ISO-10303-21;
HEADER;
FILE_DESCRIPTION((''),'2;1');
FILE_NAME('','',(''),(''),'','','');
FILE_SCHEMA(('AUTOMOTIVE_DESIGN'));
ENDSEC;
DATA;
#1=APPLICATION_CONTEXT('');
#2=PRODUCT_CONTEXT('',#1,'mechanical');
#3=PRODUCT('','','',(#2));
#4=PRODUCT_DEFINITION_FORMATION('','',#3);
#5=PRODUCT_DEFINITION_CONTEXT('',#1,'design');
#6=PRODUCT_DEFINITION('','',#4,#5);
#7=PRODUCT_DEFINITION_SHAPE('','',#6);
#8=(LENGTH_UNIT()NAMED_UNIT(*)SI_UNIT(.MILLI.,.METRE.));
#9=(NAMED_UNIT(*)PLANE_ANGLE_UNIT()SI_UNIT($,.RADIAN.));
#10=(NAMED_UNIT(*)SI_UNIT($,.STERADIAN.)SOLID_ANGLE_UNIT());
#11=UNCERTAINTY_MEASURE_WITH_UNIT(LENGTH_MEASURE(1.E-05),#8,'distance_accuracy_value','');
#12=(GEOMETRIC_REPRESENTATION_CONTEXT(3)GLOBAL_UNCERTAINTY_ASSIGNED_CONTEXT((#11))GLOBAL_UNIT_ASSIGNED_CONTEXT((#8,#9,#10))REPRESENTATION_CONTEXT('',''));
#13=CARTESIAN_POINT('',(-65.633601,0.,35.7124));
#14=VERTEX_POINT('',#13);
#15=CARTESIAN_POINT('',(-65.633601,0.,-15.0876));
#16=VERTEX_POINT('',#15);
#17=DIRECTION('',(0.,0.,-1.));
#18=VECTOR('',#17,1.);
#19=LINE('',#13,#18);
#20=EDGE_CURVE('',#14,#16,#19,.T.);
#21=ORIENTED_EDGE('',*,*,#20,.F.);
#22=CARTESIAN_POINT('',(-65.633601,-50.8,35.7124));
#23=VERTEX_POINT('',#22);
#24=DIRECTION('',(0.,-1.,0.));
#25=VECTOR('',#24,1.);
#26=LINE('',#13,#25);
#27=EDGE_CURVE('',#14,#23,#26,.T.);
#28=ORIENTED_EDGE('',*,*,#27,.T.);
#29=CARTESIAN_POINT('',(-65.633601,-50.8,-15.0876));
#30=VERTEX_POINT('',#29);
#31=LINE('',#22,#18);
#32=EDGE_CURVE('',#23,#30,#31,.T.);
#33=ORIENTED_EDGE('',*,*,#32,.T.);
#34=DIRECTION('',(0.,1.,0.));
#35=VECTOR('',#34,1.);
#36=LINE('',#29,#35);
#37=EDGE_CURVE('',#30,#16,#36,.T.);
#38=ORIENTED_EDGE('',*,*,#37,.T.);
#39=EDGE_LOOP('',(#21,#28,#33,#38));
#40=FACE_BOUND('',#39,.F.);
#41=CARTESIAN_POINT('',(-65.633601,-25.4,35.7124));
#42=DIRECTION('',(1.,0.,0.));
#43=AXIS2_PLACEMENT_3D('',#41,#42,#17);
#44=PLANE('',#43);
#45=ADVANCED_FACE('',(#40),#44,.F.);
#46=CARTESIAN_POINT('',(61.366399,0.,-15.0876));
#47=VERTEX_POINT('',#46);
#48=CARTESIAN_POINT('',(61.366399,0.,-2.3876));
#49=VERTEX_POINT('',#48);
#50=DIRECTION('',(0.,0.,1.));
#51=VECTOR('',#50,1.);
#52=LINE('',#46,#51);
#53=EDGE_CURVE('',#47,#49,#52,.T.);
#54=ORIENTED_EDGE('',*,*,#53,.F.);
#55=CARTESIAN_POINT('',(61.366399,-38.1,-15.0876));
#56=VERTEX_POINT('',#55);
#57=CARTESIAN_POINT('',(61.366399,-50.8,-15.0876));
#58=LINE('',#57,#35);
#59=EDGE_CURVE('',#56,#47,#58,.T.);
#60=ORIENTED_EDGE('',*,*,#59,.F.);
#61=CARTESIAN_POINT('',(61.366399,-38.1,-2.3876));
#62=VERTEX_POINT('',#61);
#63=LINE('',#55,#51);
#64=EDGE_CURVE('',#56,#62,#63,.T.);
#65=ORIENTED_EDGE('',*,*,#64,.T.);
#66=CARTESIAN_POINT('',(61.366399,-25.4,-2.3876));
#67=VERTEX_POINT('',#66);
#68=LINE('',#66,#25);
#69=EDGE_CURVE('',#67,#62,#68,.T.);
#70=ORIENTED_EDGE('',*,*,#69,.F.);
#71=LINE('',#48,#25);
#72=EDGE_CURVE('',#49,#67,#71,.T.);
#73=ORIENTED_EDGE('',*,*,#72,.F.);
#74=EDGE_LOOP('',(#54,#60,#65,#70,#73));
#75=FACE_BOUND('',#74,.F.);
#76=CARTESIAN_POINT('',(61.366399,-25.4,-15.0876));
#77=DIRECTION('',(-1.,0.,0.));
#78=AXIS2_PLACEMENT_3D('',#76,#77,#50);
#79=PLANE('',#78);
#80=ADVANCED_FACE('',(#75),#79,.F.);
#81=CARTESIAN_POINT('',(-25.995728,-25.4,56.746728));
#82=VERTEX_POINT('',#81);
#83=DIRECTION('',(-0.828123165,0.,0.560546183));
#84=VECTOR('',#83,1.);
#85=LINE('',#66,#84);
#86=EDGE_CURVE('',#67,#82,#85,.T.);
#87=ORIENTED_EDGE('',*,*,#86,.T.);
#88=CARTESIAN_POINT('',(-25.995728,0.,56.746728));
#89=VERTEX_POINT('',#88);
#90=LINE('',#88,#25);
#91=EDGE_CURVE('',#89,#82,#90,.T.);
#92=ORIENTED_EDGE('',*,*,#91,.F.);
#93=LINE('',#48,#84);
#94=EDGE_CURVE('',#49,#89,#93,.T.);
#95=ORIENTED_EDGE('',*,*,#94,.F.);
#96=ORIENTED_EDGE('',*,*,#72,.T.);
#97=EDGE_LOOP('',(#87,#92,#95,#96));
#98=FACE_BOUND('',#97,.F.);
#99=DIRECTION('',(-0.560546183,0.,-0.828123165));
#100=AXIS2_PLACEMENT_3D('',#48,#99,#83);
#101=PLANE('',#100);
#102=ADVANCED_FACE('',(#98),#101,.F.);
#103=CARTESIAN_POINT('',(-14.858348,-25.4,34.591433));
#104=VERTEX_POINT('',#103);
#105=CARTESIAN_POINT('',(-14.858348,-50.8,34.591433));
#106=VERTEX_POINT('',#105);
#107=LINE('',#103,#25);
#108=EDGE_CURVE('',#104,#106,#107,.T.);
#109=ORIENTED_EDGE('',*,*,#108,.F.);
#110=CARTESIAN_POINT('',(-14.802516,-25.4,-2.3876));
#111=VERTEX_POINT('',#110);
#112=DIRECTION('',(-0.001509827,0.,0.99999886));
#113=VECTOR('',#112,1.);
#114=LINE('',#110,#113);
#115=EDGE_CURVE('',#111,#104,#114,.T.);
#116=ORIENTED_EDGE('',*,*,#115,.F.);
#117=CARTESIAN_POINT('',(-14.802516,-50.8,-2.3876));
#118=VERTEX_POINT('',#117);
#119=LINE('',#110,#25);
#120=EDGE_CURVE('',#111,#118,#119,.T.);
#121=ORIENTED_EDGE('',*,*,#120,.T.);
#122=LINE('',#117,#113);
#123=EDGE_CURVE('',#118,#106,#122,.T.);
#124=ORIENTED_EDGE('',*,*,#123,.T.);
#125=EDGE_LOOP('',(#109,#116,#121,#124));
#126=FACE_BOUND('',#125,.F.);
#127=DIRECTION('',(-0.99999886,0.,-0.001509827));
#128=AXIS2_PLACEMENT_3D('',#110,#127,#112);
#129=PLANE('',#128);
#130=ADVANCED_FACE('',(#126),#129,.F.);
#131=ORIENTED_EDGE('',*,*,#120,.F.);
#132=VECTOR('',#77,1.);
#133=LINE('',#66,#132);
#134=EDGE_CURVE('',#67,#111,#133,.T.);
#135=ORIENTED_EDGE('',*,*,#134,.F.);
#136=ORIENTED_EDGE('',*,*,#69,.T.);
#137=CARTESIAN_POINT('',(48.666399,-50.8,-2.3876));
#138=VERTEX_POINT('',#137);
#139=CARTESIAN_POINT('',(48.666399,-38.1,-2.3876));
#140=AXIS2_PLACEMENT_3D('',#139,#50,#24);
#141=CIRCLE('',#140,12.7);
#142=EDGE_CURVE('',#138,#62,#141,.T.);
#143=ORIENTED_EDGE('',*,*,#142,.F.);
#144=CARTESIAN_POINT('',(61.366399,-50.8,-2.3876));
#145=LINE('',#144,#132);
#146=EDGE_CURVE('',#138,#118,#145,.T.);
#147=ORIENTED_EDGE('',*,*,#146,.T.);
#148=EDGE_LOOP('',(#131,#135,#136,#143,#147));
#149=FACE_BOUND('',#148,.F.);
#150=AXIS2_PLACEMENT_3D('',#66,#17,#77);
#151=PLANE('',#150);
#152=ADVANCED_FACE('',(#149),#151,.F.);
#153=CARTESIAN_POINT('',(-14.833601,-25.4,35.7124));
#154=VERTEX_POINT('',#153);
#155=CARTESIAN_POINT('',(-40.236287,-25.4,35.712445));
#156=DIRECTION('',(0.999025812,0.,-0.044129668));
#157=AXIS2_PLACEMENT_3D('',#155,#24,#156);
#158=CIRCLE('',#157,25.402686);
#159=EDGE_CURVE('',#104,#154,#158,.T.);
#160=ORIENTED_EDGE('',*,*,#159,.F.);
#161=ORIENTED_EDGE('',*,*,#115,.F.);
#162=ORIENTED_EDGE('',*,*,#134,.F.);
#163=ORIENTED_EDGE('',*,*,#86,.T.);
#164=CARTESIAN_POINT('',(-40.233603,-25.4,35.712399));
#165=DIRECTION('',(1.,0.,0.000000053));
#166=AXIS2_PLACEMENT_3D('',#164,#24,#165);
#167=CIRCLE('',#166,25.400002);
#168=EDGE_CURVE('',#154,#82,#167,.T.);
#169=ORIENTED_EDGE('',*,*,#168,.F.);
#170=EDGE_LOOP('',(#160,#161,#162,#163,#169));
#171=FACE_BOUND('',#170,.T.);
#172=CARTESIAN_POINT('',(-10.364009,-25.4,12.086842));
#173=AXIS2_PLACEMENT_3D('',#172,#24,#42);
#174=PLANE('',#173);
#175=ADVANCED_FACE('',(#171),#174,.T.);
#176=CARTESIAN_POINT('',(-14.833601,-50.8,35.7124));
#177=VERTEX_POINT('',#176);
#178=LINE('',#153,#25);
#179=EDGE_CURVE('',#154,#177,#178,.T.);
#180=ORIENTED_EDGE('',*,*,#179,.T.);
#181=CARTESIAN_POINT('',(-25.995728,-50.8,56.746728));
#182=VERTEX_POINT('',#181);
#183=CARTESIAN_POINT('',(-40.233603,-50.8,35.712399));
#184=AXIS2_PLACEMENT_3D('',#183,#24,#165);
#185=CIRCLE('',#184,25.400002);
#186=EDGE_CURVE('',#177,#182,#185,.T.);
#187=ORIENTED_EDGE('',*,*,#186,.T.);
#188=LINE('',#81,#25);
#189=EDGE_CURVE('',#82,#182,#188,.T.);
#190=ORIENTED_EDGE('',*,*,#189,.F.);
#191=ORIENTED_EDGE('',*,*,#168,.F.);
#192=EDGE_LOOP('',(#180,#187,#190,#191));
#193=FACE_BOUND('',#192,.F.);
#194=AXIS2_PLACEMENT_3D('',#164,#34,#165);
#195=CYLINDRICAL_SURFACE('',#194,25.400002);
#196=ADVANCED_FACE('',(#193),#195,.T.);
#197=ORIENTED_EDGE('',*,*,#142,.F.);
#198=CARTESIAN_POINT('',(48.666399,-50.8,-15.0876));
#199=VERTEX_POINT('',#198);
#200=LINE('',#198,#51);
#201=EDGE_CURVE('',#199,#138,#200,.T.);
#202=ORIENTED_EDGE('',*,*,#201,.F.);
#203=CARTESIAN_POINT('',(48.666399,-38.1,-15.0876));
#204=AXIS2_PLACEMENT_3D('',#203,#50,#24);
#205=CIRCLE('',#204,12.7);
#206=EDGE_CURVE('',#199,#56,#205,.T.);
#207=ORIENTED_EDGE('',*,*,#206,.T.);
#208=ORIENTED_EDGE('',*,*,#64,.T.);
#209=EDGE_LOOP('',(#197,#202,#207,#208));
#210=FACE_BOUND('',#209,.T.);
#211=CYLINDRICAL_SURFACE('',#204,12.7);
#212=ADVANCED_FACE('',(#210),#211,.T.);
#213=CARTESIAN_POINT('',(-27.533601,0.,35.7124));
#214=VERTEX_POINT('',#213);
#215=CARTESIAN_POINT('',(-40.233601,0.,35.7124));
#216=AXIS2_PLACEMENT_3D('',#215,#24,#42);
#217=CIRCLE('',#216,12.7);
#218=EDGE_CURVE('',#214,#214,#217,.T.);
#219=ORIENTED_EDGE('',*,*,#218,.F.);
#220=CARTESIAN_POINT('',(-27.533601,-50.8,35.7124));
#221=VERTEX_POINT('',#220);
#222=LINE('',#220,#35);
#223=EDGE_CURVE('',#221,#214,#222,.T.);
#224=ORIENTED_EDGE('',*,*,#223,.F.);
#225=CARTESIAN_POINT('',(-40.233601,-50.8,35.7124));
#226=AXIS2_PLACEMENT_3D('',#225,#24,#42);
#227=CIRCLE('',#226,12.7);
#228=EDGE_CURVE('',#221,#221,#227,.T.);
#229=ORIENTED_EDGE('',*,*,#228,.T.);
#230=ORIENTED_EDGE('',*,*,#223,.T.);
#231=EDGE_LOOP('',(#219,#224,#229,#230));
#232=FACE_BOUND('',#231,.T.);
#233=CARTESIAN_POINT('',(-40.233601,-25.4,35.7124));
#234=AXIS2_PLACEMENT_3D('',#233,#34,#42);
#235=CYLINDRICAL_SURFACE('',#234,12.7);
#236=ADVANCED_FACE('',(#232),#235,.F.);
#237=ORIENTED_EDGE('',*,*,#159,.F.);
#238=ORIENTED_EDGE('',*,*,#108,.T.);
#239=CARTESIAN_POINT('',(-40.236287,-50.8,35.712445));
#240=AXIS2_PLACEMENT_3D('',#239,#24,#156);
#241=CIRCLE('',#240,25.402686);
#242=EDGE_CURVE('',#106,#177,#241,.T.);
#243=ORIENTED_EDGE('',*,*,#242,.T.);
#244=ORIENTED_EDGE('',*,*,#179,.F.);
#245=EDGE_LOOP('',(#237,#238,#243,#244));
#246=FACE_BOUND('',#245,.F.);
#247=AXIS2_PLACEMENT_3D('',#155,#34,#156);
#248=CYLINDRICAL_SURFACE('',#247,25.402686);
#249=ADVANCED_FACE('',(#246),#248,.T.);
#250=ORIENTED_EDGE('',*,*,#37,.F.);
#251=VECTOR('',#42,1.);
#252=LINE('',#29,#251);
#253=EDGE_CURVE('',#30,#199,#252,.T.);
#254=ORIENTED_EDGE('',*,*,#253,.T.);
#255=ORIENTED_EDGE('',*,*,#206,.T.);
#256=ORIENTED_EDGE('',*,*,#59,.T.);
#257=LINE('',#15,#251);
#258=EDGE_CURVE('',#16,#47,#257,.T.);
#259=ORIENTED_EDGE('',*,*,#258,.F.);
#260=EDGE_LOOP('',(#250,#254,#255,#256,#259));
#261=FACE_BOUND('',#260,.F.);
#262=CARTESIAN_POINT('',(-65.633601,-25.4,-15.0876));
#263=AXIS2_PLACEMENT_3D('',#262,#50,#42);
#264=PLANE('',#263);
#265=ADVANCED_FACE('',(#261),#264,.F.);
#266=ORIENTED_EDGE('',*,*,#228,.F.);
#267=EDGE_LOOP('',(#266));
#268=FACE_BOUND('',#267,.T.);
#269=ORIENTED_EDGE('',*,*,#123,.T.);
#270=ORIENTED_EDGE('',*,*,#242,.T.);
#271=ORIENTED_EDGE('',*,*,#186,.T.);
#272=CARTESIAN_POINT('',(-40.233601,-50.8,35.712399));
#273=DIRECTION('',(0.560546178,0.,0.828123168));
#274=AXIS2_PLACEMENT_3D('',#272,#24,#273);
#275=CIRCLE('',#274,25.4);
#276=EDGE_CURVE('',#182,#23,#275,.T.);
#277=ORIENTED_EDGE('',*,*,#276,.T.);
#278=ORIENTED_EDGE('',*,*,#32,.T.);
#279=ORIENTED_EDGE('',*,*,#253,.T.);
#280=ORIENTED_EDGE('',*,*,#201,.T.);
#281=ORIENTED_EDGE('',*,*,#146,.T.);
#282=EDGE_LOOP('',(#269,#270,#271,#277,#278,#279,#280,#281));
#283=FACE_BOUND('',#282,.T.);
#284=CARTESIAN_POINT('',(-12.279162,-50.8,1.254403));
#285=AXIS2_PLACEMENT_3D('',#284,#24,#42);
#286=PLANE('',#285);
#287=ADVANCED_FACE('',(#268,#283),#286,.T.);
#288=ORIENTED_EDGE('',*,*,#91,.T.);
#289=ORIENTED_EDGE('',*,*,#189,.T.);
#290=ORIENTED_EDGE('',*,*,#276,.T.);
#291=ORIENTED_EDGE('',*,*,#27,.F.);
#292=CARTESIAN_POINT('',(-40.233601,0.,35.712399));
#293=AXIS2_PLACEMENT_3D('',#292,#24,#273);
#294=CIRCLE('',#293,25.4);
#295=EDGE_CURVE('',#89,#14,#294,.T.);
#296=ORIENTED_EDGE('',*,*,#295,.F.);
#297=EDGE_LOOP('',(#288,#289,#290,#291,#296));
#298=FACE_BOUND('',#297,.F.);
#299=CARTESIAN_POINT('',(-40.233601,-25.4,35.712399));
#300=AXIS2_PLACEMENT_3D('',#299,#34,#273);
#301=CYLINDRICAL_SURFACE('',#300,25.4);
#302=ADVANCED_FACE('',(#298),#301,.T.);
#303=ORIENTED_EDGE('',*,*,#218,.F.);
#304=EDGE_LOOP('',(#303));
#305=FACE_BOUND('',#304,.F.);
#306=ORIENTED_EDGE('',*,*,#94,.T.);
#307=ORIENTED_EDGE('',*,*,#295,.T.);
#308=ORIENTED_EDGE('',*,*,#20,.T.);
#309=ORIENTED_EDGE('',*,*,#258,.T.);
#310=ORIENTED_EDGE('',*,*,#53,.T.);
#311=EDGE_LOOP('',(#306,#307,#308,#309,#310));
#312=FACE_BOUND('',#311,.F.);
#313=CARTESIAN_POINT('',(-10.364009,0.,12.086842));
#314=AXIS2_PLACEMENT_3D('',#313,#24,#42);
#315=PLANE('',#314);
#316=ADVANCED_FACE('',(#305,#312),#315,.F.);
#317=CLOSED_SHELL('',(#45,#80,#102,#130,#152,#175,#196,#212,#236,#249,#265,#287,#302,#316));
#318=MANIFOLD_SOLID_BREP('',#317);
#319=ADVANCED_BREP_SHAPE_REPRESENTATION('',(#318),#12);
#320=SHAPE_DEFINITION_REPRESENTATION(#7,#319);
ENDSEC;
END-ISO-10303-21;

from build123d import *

# Parameters (mm, degrees)
F0_R     = 12.7
F1_DEPTH = 25.4
F2_R     = 12.7
F3_DEPTH = 25.4
F4_R     = 12.7


with BuildPart() as f1:
    # F0 (on Front) → F1 (new body)
    with BuildSketch(Plane.XZ):
        with BuildLine():
            Line((61.366399, -2.3876), (-25.995728, 56.746728))
            ThreePointArc((-25.995728, 56.746728), (-52.13986, 58.148999), (-65.633601, 35.7124))
            Line((-65.633601, 35.7124), (-65.633601, -15.0876))
            Line((-65.633601, -15.0876), (61.366399, -15.0876))
            Line((61.366399, -15.0876), (61.366399, -2.3876))
        make_face()
        with Locations((-40.233601, 35.7124)):
            Circle(F0_R, mode=Mode.SUBTRACT)
    extrude(amount=F1_DEPTH)

    # F2 (on face) → F3 (join)
    with BuildSketch(Plane.XZ.offset(25.4)):
        with BuildLine():
            Line((-14.802516, -2.3876), (-14.858348, 34.591433))
            ThreePointArc((-14.858348, 34.591433), (-40.794221, 10.318588), (-65.633601, 35.7124))
            Line((-65.633601, 35.7124), (-65.633601, -2.3876))
            Line((-65.633601, -2.3876), (-65.633601, -15.0876))
            Line((-65.633601, -15.0876), (61.366399, -15.0876))
            Line((61.366399, -15.0876), (61.366399, -2.3876))
            Line((61.366399, -2.3876), (-14.802516, -2.3876))
        make_face()
        with BuildLine():
            ThreePointArc((-14.858348, 34.591433), (-14.839789, 35.15178), (-14.833601, 35.7124))
            ThreePointArc((-14.833601, 35.7124), (-17.797002, 47.618659), (-25.995728, 56.746728))
            ThreePointArc((-25.995728, 56.746728), (-52.13986, 58.148999), (-65.633601, 35.7124))
            ThreePointArc((-65.633601, 35.7124), (-40.794221, 10.318588), (-14.858348, 34.591433))
        make_face()
        with Locations((-40.233601, 35.7124)):
            Circle(F2_R, mode=Mode.SUBTRACT)
    extrude(amount=F3_DEPTH)

    # F4
    f4_edges = [f1.edges().sort_by_distance(p)[0] for p in [
        (61.366399, -50.8, -8.7376),
    ]]
    fillet(f4_edges, radius=F4_R)


solid = f1.part
